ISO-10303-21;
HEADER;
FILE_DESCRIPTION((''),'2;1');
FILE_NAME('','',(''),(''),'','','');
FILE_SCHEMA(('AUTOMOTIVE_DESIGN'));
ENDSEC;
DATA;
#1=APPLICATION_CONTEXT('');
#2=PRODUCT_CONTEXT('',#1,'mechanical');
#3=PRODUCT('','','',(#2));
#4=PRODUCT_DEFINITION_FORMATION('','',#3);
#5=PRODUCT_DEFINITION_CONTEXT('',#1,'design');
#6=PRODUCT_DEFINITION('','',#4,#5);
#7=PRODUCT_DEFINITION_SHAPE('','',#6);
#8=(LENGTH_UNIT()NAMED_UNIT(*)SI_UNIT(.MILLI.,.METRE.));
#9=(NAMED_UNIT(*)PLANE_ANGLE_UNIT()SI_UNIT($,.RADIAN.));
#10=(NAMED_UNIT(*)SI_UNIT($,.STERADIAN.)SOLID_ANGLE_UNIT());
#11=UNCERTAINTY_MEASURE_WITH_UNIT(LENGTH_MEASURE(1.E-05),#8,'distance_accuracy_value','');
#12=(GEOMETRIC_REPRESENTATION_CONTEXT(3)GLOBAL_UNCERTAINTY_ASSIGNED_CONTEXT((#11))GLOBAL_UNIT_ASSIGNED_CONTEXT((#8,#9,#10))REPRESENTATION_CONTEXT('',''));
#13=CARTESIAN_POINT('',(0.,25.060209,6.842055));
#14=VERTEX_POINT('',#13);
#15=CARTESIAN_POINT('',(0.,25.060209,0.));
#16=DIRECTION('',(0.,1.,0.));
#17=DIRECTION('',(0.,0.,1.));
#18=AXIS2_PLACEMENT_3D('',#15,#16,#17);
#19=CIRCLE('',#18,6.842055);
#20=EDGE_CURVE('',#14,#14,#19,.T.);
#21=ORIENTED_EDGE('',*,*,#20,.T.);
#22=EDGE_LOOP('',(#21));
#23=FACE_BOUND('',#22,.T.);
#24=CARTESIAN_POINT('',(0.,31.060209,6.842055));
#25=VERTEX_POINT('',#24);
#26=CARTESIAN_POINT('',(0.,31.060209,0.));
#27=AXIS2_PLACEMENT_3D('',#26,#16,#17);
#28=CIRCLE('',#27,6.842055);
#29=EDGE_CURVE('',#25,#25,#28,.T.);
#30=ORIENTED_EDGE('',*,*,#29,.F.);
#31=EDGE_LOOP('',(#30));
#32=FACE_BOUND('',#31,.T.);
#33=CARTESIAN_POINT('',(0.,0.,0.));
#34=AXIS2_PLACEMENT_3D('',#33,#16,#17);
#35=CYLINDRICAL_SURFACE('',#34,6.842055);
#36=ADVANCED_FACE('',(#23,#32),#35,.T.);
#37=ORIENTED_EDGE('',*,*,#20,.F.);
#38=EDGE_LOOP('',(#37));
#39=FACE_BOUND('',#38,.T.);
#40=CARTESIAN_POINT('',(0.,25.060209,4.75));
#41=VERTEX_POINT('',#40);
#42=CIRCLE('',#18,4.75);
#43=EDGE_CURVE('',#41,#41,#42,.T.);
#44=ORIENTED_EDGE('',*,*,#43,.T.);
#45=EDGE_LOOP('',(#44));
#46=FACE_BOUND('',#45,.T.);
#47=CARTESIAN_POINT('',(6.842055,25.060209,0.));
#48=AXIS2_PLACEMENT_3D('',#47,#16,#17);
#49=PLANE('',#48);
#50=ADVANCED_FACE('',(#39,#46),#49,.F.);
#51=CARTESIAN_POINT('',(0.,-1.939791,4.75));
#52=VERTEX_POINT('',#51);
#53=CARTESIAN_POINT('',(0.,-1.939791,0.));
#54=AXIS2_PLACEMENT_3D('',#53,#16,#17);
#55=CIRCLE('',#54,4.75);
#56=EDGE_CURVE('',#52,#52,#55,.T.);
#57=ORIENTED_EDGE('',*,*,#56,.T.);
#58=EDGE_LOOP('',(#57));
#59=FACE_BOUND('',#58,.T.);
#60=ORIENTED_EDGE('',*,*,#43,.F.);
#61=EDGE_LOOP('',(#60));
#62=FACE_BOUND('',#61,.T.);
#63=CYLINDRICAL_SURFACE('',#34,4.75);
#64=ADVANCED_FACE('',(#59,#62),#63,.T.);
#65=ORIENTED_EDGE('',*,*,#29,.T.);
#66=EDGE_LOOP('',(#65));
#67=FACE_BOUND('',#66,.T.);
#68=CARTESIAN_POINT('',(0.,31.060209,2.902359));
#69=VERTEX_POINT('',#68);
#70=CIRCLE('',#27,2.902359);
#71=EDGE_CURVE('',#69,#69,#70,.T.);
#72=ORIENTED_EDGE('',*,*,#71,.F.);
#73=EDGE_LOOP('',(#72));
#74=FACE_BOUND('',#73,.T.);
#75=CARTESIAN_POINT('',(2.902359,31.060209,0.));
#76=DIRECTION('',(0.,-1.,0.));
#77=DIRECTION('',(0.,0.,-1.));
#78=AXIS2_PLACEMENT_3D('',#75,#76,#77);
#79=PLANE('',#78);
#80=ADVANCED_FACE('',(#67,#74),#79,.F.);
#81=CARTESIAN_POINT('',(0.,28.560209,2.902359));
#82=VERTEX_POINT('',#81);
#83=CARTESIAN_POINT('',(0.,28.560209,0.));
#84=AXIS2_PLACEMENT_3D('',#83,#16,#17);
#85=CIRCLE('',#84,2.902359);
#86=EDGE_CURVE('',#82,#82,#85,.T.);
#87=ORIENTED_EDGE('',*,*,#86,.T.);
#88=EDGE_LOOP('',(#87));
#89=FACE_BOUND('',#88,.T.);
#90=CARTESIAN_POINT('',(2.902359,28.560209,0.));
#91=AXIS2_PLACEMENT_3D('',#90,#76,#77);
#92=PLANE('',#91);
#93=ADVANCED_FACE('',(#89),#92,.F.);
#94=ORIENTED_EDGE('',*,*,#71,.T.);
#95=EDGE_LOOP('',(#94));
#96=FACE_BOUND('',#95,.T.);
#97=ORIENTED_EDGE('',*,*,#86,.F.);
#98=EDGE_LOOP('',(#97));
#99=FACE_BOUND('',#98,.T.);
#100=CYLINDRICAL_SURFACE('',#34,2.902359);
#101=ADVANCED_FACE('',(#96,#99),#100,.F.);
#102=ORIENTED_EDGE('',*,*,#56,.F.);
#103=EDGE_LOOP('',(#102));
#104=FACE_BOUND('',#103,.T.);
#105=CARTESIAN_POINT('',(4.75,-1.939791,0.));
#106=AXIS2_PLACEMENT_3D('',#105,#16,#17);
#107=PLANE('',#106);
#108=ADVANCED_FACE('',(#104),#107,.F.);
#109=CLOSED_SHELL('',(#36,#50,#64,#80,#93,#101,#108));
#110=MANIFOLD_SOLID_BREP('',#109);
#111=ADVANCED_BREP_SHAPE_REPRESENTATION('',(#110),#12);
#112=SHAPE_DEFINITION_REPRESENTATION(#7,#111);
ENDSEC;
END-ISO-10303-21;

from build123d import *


with BuildPart() as part:
    # Sketch1 → Revolve1 (revolve)
    with BuildSketch(Plane.XY):
        Polygon((2.902359124, 31.060209374), (6.842054747, 31.060209374), (6.842054747, 25.060209374), (4.75, 25.060209374), (4.75, -1.939790626), (0, -1.939790626), (0, 28.560209374), (2.902359124, 28.560209374), align=None)
    revolve(axis=Axis((0, 0, 0), (0, -1, 0)))


solid = part.part
